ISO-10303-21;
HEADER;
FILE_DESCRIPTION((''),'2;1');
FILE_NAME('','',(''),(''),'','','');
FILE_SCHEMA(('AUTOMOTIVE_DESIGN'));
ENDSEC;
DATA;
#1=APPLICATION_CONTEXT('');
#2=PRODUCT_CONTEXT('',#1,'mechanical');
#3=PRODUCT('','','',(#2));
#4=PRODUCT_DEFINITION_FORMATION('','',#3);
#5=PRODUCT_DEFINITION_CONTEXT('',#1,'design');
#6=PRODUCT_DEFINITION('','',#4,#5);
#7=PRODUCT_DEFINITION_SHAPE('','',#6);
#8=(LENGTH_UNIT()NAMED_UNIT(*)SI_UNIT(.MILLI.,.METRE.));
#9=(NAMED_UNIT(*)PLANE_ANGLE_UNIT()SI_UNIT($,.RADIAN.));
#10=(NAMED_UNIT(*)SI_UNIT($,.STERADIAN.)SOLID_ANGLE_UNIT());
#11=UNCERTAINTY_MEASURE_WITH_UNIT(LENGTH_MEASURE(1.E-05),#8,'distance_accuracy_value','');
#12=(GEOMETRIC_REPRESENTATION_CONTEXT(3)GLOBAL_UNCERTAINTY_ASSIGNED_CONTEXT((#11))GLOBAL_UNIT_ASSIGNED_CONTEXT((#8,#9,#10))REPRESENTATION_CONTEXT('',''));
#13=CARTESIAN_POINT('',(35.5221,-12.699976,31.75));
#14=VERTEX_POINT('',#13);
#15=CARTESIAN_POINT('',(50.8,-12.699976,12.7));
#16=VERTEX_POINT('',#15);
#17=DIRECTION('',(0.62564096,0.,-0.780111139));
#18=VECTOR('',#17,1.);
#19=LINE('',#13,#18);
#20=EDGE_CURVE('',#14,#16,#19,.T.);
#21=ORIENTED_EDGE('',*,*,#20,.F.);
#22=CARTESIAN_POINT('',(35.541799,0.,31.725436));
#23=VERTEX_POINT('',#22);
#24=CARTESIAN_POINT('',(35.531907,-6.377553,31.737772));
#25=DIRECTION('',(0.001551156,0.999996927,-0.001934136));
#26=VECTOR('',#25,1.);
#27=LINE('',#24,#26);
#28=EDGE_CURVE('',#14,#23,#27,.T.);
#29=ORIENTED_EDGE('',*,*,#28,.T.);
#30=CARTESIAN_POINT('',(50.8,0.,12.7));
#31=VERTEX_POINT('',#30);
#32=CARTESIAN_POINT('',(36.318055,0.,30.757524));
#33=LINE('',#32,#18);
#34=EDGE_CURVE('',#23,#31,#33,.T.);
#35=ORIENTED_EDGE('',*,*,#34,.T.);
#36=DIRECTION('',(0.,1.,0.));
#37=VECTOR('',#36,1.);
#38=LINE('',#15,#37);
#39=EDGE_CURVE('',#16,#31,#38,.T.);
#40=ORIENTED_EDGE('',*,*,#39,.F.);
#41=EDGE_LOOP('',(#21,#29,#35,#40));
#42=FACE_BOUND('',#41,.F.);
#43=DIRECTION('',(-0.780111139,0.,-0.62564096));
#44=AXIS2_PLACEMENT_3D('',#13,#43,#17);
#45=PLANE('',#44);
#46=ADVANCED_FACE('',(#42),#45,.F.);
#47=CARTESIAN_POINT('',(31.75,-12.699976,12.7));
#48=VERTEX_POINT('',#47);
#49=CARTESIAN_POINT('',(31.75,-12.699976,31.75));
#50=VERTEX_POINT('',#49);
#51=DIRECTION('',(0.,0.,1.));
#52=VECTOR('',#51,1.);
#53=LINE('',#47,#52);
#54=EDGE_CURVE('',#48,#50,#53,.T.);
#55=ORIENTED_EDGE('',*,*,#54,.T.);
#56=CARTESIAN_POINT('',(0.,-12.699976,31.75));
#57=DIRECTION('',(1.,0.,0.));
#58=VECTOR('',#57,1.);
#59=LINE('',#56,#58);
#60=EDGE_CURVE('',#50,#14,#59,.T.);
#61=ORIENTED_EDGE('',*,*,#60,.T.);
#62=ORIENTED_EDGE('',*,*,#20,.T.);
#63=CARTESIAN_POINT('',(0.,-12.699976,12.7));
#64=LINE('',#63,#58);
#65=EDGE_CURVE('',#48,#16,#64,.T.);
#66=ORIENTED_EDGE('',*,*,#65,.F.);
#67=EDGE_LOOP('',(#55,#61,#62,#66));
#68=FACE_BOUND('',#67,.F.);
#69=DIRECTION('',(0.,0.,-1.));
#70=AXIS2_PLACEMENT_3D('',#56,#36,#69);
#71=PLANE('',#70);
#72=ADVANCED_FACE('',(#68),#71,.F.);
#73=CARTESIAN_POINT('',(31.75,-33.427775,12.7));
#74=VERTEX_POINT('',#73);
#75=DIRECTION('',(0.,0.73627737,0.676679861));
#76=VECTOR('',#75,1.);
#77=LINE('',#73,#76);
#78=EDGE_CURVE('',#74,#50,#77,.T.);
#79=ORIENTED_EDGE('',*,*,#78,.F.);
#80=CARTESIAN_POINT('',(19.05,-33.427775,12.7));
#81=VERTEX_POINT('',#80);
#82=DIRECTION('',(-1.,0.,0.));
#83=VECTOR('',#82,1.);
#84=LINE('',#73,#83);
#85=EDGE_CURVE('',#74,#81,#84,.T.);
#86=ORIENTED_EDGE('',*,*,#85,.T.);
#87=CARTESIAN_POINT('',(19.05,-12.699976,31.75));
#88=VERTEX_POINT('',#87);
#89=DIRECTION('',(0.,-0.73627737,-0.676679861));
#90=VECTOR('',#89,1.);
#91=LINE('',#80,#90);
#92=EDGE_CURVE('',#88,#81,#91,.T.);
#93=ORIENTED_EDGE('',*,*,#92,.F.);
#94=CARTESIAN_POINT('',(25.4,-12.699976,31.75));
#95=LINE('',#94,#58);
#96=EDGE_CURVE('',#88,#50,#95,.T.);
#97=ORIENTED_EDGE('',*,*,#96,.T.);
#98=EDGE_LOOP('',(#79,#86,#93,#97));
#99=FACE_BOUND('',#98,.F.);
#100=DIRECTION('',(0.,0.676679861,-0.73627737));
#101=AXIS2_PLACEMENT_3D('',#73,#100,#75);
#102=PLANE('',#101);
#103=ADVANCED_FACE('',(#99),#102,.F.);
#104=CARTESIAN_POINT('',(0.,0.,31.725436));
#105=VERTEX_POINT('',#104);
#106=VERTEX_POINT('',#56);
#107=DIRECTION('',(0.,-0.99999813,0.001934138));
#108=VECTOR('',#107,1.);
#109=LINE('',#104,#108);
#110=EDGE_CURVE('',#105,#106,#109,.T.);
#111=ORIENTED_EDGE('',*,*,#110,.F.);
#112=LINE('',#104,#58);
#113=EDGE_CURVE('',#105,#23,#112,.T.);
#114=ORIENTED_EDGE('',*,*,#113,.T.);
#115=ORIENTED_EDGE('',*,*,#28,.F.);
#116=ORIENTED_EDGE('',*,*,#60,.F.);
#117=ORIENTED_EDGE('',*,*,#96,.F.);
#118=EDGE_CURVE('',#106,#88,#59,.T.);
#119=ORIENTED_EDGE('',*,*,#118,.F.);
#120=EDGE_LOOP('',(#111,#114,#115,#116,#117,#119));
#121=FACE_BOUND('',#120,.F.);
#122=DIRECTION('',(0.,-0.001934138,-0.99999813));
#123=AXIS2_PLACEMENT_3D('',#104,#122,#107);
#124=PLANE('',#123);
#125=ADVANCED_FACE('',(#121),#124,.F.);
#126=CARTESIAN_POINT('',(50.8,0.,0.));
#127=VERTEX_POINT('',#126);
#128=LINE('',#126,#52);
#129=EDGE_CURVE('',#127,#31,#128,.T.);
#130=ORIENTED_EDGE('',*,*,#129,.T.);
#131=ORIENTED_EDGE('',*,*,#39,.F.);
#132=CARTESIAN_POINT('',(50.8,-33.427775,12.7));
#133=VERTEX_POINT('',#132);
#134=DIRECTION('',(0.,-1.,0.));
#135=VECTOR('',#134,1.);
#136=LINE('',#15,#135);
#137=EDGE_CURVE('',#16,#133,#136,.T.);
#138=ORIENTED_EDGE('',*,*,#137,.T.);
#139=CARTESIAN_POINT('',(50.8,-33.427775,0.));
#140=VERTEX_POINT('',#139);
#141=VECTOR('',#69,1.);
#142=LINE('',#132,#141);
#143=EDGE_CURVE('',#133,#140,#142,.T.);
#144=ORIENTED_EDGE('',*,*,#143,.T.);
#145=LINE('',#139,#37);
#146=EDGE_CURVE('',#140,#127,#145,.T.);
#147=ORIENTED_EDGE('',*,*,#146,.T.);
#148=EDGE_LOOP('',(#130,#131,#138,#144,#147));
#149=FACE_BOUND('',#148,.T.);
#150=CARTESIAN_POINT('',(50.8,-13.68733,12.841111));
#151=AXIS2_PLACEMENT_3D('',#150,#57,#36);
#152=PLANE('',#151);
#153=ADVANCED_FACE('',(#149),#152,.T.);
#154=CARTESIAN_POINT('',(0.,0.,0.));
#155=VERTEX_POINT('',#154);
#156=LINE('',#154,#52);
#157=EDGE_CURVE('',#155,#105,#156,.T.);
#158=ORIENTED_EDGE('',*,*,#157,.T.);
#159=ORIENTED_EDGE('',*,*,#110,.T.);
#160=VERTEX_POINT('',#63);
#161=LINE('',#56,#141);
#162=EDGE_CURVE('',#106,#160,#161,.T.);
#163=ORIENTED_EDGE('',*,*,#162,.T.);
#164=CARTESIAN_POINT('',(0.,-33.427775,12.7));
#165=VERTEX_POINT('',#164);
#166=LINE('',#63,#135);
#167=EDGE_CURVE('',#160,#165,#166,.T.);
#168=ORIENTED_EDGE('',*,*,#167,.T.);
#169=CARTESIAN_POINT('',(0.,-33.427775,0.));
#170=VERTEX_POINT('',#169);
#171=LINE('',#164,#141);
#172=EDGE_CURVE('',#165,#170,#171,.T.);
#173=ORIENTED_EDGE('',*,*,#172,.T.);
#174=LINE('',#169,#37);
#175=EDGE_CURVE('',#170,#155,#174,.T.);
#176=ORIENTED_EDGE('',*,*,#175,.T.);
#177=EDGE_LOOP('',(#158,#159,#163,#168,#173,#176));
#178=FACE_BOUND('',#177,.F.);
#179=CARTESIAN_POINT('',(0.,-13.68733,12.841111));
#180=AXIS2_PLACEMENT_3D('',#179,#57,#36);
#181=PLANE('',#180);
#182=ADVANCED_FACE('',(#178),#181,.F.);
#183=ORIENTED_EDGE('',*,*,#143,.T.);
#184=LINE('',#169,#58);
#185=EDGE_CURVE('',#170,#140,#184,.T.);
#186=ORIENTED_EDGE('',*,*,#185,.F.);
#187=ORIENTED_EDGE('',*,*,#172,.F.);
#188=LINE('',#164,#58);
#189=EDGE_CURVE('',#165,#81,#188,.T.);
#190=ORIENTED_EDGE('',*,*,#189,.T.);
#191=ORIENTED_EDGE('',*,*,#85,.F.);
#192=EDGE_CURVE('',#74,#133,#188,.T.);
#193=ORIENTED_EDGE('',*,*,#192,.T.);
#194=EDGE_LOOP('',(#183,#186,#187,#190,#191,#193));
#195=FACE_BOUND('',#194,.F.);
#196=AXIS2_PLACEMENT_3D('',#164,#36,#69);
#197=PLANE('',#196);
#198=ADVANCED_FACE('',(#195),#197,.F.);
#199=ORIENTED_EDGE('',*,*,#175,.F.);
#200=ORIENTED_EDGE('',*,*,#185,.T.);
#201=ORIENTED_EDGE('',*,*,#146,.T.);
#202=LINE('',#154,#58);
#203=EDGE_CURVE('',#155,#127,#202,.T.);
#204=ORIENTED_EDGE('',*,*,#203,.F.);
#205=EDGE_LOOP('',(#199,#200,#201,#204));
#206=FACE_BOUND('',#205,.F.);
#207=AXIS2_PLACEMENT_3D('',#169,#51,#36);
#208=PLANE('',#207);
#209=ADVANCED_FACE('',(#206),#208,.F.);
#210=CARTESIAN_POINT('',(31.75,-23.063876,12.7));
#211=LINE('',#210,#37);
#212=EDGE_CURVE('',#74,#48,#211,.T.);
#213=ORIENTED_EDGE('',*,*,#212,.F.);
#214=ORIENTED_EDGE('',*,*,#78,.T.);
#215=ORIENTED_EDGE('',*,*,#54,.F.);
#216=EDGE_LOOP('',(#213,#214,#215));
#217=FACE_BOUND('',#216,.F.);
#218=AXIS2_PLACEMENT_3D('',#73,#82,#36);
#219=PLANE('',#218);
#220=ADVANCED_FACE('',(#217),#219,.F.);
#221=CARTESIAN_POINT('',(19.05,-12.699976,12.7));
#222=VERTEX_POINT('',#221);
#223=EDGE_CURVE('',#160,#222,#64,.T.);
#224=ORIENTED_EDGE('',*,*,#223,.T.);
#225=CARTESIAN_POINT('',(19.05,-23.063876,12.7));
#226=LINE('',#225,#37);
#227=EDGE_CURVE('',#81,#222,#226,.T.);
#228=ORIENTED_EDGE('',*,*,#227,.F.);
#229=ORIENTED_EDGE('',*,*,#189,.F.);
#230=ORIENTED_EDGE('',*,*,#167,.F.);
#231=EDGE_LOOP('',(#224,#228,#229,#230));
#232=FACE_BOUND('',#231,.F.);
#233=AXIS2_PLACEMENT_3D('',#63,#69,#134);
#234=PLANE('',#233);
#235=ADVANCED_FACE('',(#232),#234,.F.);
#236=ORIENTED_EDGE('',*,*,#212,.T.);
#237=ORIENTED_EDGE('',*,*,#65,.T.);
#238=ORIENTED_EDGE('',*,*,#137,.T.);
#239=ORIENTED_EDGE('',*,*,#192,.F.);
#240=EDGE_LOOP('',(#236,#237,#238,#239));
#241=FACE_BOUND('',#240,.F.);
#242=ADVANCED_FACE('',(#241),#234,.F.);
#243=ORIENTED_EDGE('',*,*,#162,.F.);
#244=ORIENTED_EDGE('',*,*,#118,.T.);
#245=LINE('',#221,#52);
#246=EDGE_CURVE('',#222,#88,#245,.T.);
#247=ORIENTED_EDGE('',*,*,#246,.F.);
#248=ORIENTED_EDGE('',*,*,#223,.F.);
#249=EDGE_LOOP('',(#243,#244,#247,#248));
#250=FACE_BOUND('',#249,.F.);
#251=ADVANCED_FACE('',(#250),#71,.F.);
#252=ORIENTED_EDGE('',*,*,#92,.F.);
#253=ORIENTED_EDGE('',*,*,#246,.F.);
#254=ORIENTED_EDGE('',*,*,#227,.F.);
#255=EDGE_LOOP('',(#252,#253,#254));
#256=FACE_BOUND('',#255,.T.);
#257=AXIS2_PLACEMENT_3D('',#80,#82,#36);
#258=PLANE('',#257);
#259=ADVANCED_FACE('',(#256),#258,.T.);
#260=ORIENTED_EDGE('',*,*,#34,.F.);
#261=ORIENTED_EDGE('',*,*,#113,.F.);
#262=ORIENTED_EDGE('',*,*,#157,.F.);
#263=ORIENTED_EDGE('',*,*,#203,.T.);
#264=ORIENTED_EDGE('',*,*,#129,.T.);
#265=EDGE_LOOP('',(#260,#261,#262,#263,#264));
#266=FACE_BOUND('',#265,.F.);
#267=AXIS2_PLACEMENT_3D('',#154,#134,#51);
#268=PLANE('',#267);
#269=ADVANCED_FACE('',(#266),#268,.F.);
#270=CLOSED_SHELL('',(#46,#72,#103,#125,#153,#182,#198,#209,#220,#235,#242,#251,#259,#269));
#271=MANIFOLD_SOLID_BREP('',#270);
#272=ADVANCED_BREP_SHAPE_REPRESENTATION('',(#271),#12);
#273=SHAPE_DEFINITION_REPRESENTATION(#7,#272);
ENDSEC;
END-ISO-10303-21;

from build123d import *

# Parameters (mm, degrees)
F1_DEPTH = 50.8
F3_DEPTH = 25.4
F4_W     = 12.7
F4_H     = 20.7277986608
F5_DEPTH = 19.05
F7_DEPTH = 25.4


with BuildPart() as f1:
    # F0 (on Right) → F1 (new body)
    with BuildSketch(Plane.YZ):
        Polygon((0, 0), (0, 31.7254364491), (-12.6999762453, 31.75), (-12.6999762453, 12.7), (-33.4277749062, 12.7), (-33.4277749062, 0), align=None)
    extrude(amount=F1_DEPTH)

    # F2 (on face) → F3 (cut)
    with BuildSketch(Plane.XZ.offset(12.6999762453)):
        Polygon((50.8, 31.75), (35.5220995843, 31.75), (50.8, 12.7), align=None)
    extrude(amount=-F3_DEPTH, mode=Mode.SUBTRACT)

    # F4 (on face) → F5 (join)
    with BuildSketch(Plane.XY.offset(12.7)):
        with Locations((25.4, -23.0638755757)):
            Rectangle(F4_W, F4_H)
    extrude(amount=F5_DEPTH)

    # F6 (on face) → F7 (cut)
    with BuildSketch(Plane.YZ.offset(31.75)):
        Polygon((-33.4277749062, 31.75), (-33.4277749062, 12.7), (-12.6999762453, 31.75), align=None)
    extrude(amount=-F7_DEPTH, mode=Mode.SUBTRACT)


solid = f1.part
